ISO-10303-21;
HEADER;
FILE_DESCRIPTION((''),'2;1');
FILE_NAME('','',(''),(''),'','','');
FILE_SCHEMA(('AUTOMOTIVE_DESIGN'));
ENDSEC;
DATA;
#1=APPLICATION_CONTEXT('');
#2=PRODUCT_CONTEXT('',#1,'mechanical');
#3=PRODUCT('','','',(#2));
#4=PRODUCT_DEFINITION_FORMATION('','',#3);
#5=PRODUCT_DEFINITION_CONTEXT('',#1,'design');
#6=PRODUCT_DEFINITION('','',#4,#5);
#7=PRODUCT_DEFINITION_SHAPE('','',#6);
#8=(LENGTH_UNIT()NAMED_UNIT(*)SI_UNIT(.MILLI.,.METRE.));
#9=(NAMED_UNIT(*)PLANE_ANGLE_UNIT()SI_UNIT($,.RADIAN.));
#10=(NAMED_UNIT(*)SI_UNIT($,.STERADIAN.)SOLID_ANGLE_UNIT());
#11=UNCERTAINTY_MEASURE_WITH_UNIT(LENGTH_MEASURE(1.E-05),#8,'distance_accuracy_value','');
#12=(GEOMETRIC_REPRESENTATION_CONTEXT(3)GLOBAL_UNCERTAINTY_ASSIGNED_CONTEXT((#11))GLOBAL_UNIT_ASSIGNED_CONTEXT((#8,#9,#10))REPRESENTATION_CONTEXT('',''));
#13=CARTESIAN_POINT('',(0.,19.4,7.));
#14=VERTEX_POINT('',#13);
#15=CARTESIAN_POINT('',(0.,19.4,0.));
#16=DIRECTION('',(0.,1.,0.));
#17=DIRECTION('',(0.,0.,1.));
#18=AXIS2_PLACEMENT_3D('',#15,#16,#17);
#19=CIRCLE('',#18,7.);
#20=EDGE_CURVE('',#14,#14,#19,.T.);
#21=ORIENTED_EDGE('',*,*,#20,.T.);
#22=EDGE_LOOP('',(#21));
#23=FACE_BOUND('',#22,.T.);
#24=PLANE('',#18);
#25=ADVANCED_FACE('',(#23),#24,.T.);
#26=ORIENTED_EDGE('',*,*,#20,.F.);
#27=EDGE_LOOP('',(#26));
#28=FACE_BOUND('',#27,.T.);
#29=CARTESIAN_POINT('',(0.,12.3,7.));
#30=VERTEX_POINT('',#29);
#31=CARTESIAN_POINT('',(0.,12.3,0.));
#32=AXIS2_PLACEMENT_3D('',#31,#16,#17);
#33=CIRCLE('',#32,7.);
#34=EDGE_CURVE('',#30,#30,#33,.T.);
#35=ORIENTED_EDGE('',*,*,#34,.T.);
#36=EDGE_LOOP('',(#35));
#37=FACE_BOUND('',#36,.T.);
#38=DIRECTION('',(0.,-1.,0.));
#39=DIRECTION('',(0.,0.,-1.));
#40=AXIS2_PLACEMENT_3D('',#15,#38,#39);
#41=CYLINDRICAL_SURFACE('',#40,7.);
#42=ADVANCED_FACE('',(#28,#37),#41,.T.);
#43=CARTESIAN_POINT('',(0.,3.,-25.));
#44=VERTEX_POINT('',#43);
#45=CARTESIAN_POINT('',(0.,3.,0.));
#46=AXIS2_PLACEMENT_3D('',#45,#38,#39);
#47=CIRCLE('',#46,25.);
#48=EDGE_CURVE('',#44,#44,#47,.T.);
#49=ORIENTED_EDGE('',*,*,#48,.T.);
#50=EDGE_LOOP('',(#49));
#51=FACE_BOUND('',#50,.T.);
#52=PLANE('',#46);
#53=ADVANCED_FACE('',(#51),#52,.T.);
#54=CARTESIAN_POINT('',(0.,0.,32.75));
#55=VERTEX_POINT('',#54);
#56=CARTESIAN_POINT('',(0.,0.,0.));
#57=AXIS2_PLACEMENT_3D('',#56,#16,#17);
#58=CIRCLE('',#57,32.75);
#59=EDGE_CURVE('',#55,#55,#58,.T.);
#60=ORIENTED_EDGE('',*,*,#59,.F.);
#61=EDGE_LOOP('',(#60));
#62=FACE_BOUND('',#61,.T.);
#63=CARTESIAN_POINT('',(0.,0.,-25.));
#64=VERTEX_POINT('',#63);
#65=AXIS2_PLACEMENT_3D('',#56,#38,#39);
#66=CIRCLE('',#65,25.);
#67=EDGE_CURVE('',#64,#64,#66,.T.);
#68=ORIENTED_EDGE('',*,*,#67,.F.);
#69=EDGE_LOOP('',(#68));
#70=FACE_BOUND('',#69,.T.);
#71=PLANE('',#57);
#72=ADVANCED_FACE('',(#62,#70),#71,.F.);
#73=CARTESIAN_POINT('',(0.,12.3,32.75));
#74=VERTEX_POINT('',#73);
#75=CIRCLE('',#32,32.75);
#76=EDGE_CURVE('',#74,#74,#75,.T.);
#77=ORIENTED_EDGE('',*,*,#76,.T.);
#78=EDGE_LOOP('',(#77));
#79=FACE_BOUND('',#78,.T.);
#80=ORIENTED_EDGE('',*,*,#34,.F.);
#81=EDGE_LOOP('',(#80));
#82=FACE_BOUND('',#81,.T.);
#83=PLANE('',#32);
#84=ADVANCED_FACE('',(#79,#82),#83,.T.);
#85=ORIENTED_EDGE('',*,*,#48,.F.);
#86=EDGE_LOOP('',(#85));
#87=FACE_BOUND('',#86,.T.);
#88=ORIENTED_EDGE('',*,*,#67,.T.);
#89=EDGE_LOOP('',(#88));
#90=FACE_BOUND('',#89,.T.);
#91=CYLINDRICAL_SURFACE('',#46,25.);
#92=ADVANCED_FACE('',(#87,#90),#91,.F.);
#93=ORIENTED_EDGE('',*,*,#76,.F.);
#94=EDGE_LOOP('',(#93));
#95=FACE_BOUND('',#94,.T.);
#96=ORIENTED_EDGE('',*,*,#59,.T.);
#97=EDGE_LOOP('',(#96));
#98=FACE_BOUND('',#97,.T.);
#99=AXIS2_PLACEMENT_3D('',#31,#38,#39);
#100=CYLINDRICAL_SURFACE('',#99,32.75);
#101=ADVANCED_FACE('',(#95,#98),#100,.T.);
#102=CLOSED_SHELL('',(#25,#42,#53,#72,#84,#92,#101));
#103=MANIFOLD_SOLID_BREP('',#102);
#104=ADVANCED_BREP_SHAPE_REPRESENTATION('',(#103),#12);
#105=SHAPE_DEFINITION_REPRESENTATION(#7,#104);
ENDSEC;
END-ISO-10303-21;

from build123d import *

# Parameters (mm, degrees)
SKETCH1_R           = 32.75
BOSS_EXTRUDE1_DEPTH = 12.3
SKETCH2_R           = 7
BOSS_EXTRUDE2_DEPTH = 7.1
SKETCH4_R           = 25
CUT_EXTRUDE1_DEPTH  = 3


with BuildPart() as part:
    # Sketch1 → Boss-Extrude1 (new body)
    with BuildSketch(Plane(origin=(0, 0, 0), x_dir=(1, 0, 0), z_dir=(0, 1, 0))):
        with Locations(Location((0, 0, 0), (0, 0, 270))):
            Circle(SKETCH1_R)
    extrude(amount=BOSS_EXTRUDE1_DEPTH)

    # Sketch2 → Boss-Extrude2 (add)
    with BuildSketch(Plane(origin=(0, 12.3, 0), x_dir=(1, 0, 0), z_dir=(0, 1, 0))):
        with Locations(Location((0, 0, 0), (0, 0, 270))):
            Circle(SKETCH2_R)
    extrude(amount=BOSS_EXTRUDE2_DEPTH)

    # Sketch4 → Cut-Extrude1 (cut)
    with BuildSketch(Plane.XZ):
        with Locations(Location((0, 0, 0), (0, 0, 270))):
            Circle(SKETCH4_R)
    extrude(amount=-CUT_EXTRUDE1_DEPTH, mode=Mode.SUBTRACT)


solid = part.part
